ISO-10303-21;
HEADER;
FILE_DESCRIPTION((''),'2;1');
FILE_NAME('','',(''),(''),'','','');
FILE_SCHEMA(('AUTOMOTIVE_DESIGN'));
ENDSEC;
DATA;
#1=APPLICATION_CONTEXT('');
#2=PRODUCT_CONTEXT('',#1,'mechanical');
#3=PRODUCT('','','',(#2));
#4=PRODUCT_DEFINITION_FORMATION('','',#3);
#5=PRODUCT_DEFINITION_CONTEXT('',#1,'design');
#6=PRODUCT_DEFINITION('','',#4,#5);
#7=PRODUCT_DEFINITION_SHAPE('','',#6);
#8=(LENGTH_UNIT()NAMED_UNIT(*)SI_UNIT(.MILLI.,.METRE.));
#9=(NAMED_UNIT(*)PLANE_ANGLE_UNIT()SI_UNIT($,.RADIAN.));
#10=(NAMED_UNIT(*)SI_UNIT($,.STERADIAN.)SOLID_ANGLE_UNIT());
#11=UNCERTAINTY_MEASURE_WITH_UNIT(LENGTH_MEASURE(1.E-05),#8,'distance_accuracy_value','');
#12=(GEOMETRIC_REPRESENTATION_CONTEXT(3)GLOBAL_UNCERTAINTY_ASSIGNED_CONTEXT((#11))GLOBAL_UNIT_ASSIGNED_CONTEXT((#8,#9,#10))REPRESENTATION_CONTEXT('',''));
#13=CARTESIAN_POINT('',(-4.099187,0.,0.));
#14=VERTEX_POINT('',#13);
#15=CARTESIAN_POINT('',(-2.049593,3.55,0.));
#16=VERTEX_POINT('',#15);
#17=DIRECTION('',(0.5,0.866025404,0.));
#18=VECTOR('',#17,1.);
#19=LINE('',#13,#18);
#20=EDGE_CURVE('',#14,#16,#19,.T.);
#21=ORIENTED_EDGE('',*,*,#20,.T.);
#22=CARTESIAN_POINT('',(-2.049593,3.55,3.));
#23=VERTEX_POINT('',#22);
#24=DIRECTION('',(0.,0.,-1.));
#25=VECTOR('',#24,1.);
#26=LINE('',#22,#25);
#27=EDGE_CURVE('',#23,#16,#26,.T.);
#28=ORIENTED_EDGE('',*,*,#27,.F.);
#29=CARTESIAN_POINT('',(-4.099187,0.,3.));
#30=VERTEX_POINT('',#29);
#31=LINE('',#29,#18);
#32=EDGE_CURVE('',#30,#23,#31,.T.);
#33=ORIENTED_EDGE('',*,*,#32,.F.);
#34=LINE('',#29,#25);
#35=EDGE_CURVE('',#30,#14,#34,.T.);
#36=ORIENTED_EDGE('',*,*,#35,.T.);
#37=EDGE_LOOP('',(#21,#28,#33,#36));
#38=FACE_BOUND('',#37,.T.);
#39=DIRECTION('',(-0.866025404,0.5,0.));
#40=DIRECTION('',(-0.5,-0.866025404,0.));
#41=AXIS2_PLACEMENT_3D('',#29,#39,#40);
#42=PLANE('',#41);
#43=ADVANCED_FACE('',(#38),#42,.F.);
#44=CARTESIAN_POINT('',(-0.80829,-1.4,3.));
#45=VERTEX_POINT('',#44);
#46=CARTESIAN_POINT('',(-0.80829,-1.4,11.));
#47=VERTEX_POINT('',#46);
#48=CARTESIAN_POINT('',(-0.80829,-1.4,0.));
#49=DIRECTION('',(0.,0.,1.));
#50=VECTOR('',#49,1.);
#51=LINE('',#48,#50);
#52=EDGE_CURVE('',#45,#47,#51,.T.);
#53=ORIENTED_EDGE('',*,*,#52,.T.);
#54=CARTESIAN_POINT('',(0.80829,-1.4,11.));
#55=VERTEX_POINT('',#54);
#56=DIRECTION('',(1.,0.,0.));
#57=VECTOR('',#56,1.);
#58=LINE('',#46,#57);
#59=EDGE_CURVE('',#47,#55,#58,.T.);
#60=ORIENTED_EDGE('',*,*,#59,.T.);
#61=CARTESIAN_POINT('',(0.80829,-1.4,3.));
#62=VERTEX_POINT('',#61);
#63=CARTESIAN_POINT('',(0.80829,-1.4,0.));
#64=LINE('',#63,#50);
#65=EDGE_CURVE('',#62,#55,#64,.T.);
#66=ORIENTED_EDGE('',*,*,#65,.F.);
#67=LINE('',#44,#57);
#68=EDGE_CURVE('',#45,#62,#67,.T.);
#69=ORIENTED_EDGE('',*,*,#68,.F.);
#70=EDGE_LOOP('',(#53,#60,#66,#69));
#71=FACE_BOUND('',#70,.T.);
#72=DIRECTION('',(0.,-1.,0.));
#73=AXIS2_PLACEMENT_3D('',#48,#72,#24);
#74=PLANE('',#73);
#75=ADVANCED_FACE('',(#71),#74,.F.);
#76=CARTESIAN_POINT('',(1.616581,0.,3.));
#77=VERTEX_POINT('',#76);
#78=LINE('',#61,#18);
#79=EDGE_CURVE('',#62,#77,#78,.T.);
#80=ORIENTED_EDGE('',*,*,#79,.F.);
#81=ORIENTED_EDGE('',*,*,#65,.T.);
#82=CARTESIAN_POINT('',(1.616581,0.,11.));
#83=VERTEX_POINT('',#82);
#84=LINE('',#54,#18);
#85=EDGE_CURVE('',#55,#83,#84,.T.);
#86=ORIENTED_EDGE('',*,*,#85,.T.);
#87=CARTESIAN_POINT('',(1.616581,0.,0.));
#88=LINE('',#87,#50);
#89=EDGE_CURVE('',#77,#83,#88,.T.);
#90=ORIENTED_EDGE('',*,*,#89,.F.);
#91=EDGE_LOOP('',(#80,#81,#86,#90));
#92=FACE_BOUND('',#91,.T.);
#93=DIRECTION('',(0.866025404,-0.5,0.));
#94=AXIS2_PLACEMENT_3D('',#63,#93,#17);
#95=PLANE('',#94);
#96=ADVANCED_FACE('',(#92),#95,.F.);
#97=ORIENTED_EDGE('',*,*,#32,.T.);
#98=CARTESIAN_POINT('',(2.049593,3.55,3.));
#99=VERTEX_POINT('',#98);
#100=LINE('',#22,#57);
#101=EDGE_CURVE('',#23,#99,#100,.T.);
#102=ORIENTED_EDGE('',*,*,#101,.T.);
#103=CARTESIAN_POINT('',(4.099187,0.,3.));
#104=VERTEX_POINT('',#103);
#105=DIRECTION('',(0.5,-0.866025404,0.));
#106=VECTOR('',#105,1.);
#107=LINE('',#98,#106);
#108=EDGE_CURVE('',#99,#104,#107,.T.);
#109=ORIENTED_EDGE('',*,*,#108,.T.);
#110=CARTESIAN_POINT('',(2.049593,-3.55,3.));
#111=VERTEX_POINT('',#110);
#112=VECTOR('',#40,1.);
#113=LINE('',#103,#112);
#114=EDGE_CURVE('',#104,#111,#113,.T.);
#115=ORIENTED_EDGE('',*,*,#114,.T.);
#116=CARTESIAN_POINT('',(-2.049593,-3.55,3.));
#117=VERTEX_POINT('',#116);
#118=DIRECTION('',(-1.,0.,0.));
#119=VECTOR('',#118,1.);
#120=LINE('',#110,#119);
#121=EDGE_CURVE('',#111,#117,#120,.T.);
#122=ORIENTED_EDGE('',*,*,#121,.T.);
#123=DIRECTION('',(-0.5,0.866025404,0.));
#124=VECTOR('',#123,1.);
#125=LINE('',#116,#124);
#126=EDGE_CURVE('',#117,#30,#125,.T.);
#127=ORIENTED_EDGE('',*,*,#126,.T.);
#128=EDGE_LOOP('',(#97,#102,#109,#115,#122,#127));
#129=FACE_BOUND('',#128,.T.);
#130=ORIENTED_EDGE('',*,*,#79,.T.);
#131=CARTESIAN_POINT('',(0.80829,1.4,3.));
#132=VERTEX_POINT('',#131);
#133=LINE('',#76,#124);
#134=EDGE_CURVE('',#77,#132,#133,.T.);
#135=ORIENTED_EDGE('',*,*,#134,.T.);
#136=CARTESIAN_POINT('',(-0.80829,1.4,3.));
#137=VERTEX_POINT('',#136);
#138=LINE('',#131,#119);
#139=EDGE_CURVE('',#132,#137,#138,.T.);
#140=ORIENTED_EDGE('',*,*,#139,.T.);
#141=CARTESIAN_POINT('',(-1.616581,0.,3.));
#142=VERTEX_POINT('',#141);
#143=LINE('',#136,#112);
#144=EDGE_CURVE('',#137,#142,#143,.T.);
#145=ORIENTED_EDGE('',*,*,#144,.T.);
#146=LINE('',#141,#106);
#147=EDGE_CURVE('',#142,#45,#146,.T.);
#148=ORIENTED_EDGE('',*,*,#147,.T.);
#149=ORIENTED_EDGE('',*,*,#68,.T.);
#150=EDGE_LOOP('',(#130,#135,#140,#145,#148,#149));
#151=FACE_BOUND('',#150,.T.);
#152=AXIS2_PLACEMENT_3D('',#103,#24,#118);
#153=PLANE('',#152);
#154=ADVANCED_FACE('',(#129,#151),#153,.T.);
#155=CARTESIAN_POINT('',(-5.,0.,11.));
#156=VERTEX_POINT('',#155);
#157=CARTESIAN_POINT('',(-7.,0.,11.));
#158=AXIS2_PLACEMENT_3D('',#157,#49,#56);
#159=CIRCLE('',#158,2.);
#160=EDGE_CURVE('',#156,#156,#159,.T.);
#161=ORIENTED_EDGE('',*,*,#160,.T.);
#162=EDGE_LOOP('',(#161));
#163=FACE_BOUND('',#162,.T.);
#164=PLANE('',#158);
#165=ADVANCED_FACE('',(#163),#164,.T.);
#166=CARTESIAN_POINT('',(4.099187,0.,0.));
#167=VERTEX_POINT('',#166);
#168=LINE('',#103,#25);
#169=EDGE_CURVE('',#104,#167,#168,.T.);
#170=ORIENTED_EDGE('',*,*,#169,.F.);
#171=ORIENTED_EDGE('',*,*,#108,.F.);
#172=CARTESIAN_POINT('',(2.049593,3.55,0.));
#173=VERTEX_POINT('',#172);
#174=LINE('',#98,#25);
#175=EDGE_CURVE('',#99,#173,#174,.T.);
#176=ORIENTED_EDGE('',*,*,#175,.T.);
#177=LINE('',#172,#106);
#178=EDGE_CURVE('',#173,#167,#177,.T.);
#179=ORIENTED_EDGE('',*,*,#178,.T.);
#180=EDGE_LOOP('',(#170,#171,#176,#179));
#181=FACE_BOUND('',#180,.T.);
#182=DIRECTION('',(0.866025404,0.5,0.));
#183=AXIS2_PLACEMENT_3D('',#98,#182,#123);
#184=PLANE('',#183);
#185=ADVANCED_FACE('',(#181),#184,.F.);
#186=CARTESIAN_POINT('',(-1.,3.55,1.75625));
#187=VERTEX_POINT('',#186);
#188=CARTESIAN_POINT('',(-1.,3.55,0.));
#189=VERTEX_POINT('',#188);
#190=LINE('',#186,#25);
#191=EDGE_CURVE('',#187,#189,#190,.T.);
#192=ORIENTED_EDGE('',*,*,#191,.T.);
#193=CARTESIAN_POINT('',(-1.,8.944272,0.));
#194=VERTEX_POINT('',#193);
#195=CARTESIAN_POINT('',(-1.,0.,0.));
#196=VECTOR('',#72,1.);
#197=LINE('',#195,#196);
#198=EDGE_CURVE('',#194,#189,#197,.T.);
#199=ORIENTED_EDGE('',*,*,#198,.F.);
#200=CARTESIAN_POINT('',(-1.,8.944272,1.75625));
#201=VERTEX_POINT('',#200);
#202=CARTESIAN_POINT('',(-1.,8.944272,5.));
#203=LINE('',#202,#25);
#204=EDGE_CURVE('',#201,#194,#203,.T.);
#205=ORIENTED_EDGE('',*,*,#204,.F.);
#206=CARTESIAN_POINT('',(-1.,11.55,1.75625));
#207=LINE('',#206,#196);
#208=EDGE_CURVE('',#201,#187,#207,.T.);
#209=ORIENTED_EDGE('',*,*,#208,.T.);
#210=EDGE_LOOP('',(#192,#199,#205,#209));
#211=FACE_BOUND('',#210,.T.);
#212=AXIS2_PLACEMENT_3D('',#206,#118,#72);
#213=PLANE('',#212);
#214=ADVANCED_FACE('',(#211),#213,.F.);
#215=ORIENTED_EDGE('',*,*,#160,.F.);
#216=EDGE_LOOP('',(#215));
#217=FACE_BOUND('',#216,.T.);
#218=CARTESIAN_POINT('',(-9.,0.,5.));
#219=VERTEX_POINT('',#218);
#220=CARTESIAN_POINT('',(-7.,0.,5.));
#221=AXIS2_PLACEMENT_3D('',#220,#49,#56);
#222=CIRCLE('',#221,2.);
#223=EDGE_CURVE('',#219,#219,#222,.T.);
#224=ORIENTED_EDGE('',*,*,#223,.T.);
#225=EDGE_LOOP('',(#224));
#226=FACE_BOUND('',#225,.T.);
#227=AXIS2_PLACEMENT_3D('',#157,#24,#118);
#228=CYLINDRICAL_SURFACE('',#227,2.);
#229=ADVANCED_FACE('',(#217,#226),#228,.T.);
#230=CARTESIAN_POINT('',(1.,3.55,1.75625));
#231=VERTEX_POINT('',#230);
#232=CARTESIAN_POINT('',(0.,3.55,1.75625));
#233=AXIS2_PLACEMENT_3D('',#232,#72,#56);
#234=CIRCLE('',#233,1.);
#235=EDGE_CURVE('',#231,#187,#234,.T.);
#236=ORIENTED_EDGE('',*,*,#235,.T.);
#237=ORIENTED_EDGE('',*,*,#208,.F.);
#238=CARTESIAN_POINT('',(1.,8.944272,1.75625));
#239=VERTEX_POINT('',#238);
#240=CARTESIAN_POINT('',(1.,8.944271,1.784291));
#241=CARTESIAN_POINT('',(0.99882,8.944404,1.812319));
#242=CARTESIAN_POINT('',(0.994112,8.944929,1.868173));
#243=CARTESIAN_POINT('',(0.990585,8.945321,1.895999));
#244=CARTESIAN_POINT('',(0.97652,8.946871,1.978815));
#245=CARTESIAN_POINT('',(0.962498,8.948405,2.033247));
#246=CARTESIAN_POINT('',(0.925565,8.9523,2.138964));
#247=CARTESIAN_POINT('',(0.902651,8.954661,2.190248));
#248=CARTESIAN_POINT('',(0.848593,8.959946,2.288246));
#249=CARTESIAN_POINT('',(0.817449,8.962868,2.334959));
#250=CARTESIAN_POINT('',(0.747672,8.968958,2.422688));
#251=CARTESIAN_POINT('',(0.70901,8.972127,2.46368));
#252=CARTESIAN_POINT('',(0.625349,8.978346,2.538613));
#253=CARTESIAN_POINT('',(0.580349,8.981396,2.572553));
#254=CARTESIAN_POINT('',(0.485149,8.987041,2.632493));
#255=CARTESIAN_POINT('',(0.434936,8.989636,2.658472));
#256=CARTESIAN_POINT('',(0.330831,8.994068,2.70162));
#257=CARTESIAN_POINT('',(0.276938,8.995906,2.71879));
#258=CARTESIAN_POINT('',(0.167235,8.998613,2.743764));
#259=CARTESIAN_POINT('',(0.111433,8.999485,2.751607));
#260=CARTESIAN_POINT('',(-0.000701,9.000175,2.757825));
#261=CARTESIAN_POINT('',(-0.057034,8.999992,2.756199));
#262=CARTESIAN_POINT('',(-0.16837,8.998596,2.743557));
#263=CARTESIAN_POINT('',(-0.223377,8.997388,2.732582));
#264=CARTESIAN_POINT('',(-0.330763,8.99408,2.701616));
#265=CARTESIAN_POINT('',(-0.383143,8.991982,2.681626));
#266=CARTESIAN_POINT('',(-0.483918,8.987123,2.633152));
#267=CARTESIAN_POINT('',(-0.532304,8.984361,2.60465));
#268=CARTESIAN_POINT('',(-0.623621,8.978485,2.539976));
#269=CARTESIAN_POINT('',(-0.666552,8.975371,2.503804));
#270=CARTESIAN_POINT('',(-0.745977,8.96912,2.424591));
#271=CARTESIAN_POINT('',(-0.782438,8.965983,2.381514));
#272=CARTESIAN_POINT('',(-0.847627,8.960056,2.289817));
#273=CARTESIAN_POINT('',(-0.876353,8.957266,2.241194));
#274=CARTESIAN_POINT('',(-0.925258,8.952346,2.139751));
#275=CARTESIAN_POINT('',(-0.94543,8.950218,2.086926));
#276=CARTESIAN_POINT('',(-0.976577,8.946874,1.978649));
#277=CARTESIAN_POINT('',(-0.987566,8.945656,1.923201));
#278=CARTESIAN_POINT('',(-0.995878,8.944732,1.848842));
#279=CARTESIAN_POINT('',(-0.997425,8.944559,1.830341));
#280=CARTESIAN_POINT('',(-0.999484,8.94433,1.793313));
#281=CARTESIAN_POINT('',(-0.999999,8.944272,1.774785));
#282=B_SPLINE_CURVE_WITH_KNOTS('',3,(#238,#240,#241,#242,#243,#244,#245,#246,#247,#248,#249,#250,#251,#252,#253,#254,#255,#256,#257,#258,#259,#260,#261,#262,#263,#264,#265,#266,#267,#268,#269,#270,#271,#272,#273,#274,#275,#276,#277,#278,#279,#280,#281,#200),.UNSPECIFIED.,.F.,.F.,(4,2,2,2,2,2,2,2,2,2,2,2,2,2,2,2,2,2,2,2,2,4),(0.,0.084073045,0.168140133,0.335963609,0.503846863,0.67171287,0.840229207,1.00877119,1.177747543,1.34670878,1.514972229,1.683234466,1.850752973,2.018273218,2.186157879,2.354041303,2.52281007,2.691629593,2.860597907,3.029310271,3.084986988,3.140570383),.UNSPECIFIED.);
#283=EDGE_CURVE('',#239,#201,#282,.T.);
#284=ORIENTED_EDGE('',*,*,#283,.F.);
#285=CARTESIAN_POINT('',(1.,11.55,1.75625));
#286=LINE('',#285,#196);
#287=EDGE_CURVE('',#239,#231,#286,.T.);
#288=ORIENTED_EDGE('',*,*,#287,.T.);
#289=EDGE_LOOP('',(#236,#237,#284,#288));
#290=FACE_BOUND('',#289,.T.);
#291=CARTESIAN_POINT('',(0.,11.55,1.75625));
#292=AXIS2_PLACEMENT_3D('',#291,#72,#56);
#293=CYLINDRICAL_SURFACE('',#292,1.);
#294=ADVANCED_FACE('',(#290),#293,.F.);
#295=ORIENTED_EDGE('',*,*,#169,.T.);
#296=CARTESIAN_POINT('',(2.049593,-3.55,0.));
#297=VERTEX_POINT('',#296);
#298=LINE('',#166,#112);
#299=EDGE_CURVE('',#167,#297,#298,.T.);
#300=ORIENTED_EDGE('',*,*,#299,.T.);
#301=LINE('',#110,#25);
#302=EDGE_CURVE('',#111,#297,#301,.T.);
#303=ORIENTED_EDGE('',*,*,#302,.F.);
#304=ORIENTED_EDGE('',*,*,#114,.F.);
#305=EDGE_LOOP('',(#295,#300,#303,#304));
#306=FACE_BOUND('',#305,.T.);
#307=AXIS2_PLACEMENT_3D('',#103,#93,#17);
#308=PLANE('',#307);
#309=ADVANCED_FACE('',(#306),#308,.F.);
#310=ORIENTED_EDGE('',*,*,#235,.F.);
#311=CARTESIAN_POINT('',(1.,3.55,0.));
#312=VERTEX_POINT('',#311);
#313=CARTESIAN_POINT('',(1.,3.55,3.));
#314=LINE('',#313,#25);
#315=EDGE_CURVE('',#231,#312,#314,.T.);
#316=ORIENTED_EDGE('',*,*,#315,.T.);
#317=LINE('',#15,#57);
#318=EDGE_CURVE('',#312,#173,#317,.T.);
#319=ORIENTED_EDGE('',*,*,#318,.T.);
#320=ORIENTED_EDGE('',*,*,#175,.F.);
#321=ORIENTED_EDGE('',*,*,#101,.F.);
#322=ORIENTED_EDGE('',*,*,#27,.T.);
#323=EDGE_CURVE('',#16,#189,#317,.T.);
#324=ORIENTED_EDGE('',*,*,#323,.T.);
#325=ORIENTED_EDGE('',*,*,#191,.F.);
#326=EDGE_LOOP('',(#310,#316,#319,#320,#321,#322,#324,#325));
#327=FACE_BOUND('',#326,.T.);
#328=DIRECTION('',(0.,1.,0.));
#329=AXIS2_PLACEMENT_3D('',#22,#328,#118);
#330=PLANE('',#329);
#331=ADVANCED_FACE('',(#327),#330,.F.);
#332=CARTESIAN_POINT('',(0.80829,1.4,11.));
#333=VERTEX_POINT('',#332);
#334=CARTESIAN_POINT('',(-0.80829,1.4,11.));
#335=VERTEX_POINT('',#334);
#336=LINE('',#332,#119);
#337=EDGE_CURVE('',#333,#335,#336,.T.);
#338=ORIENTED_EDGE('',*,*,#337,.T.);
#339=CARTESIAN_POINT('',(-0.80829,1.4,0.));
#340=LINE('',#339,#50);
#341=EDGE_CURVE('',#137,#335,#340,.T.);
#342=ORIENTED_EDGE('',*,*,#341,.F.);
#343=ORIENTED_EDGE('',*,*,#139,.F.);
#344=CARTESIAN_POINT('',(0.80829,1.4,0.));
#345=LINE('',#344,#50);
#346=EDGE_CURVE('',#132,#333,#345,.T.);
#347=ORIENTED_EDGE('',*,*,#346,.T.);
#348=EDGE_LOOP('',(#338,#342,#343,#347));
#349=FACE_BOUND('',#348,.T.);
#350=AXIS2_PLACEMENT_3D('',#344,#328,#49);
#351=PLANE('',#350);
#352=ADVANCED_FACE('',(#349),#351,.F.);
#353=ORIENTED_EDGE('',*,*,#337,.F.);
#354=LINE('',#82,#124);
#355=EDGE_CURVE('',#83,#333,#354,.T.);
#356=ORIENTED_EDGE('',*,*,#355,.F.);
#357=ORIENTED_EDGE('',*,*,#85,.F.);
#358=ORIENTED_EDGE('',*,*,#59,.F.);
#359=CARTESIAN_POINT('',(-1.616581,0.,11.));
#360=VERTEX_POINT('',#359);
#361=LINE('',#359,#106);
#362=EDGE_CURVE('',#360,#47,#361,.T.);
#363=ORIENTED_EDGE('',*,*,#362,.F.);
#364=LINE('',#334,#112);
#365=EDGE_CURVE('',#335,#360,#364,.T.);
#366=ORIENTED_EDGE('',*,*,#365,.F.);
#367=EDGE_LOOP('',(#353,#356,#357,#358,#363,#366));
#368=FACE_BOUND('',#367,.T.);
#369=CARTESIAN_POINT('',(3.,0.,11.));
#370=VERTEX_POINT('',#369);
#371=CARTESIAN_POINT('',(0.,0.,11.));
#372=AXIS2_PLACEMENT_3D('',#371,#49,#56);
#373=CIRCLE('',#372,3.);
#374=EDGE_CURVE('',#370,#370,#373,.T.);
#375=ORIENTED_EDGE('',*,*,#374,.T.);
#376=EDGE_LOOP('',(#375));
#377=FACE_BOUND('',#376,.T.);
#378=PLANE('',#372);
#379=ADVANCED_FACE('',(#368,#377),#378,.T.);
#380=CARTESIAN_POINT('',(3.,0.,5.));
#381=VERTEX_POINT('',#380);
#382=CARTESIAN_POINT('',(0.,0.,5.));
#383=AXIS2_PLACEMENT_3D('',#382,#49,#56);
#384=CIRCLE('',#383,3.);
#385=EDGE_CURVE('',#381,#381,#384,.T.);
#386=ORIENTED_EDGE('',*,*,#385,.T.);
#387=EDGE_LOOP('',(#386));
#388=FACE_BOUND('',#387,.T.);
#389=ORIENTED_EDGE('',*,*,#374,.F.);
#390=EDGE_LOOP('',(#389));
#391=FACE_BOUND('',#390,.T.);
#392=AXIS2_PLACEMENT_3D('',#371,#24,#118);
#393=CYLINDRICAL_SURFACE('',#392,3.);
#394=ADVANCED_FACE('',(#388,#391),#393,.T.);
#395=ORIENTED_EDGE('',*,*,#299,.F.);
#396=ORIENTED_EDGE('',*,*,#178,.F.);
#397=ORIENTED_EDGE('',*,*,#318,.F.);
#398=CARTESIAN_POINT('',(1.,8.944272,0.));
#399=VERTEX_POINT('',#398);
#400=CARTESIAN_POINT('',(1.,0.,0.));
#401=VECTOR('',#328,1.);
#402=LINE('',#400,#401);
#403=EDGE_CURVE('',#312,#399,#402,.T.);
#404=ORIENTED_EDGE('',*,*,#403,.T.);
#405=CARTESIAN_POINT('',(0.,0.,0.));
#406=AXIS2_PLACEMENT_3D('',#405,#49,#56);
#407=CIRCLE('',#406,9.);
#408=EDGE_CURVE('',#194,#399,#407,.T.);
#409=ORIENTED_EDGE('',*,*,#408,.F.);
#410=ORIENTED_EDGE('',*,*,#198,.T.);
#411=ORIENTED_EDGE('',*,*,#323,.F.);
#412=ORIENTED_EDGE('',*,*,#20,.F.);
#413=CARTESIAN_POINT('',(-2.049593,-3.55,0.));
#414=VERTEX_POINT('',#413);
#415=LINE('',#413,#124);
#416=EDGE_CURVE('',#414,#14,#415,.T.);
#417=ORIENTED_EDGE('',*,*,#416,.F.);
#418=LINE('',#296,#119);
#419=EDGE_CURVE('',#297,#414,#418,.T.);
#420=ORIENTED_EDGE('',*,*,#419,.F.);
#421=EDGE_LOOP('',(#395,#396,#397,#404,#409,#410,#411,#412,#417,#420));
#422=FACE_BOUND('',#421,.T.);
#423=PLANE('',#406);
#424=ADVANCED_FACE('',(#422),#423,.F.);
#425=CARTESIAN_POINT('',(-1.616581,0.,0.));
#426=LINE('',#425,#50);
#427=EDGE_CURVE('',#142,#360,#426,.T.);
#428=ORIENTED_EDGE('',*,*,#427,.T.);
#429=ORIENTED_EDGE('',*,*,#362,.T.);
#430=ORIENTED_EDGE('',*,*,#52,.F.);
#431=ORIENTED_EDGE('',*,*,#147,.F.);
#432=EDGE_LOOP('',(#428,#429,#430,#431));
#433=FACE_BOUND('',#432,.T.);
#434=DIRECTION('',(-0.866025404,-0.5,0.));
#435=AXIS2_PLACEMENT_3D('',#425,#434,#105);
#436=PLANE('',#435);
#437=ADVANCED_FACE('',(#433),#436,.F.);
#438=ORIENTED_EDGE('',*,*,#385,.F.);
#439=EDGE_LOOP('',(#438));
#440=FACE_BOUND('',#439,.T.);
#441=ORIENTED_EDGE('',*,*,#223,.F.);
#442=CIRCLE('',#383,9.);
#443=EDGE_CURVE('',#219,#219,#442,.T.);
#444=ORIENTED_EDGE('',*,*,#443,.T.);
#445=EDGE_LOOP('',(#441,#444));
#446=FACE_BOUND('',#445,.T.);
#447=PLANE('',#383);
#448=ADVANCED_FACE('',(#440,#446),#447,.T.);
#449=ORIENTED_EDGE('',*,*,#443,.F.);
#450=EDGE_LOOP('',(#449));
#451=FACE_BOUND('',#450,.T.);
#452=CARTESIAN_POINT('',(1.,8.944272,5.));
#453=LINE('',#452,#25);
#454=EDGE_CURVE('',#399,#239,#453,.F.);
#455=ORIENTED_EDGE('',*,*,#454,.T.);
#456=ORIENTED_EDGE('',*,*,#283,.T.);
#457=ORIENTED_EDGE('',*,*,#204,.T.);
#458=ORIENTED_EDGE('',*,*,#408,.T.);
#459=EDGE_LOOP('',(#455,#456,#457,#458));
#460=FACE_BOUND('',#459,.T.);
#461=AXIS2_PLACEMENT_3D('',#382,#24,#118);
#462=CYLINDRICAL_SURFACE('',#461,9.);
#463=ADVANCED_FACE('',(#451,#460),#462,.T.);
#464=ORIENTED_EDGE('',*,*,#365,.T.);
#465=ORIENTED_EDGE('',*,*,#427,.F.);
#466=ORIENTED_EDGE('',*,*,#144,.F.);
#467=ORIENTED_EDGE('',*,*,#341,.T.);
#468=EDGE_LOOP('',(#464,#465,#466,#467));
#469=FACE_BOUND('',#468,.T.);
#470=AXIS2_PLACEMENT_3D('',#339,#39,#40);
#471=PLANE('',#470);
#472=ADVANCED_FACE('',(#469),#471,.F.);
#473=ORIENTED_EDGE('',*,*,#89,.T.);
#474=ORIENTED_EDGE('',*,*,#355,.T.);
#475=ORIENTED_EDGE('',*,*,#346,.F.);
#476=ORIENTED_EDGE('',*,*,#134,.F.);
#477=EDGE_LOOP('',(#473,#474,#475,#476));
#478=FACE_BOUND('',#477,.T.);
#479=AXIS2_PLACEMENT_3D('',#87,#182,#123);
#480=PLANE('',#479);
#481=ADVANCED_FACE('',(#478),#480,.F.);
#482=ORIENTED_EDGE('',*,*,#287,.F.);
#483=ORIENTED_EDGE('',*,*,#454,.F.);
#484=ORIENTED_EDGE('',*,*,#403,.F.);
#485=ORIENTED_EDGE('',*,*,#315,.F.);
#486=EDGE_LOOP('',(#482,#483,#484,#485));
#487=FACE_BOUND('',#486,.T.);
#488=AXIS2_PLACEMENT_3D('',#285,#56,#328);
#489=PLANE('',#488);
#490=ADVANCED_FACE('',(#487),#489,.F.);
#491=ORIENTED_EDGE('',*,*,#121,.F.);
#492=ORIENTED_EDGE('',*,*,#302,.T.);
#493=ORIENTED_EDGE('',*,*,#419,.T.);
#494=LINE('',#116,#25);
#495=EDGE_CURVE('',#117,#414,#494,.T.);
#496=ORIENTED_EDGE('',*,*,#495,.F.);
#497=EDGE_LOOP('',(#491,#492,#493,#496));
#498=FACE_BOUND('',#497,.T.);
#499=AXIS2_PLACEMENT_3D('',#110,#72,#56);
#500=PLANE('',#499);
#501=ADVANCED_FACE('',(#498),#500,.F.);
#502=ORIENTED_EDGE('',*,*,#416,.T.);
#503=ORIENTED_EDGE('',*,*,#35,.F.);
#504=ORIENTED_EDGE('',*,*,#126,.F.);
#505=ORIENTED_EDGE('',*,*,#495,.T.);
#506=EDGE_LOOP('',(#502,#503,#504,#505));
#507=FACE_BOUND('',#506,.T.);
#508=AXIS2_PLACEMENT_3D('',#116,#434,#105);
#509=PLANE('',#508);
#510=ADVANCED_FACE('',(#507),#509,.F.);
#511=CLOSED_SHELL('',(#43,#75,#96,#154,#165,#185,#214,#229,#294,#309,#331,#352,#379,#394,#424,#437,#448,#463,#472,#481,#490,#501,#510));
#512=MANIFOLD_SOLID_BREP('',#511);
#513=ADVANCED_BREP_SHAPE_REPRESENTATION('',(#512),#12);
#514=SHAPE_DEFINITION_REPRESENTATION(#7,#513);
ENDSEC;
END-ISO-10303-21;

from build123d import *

# Parameters (mm, degrees)
SKETCH1_R           = 9
BOSS_EXTRUDE1_DEPTH = 5
SKETCH2_R           = 3
SKETCH2_R_2         = 2
BOSS_EXTRUDE2_DEPTH = 6
CUT_EXTRUDE1_DEPTH  = 17.822603841
CUT_EXTRUDE2_DEPTH  = 3
CUT_EXTRUDE3_DEPTH  = 8


with BuildPart() as part:
    # Sketch1 → Boss-Extrude1 (new body)
    with BuildSketch(Plane.XY):
        Circle(SKETCH1_R)
    extrude(amount=BOSS_EXTRUDE1_DEPTH)

    # Sketch2 → Boss-Extrude2 (add)
    with BuildSketch(Plane.XY.offset(5)):
        Circle(SKETCH2_R)
        with Locations(Location((-7, 0, 0), (0, 0, 179.999350333))):
            Circle(SKETCH2_R_2)
    extrude(amount=BOSS_EXTRUDE2_DEPTH)

    # Sketch3 → Cut-Extrude1 (cut, through all)
    with BuildSketch(Plane.XY.offset(11)):
        Polygon((-1.616580754, 0), (-0.808290377, -1.4), (0.808290377, -1.4), (1.616580754, 0), (0.808290377, 1.4), (-0.808290377, 1.4), align=None)
    extrude(amount=-CUT_EXTRUDE1_DEPTH, mode=Mode.SUBTRACT)

    # Sketch4 → Cut-Extrude2 (cut)
    with BuildSketch(Plane(origin=(0, 0, 0), x_dir=(-1, 0, 0), z_dir=(0, 0, -1))):
        Polygon((-4.099186911, 0), (-2.049593456, -3.55), (2.049593456, -3.55), (4.099186911, 0), (2.049593456, 3.55), (-2.049593456, 3.55), align=None)
    extrude(amount=-CUT_EXTRUDE2_DEPTH, mode=Mode.SUBTRACT)

    # Sketch5 → Cut-Extrude3 (cut)
    with BuildSketch(Plane.XZ.offset(-3.55)):
        with BuildLine():
            Line((1, 1.756249669), (1, -1.040433474))
            Line((1, -1.040433474), (-1, -1.040433474))
            Line((-1, -1.040433474), (-1, 1.756249669))
            ThreePointArc((-1, 1.756249669), (0, 2.756249669), (1, 1.756249669))
        make_face()
    extrude(amount=-CUT_EXTRUDE3_DEPTH, mode=Mode.SUBTRACT)


solid = part.part
